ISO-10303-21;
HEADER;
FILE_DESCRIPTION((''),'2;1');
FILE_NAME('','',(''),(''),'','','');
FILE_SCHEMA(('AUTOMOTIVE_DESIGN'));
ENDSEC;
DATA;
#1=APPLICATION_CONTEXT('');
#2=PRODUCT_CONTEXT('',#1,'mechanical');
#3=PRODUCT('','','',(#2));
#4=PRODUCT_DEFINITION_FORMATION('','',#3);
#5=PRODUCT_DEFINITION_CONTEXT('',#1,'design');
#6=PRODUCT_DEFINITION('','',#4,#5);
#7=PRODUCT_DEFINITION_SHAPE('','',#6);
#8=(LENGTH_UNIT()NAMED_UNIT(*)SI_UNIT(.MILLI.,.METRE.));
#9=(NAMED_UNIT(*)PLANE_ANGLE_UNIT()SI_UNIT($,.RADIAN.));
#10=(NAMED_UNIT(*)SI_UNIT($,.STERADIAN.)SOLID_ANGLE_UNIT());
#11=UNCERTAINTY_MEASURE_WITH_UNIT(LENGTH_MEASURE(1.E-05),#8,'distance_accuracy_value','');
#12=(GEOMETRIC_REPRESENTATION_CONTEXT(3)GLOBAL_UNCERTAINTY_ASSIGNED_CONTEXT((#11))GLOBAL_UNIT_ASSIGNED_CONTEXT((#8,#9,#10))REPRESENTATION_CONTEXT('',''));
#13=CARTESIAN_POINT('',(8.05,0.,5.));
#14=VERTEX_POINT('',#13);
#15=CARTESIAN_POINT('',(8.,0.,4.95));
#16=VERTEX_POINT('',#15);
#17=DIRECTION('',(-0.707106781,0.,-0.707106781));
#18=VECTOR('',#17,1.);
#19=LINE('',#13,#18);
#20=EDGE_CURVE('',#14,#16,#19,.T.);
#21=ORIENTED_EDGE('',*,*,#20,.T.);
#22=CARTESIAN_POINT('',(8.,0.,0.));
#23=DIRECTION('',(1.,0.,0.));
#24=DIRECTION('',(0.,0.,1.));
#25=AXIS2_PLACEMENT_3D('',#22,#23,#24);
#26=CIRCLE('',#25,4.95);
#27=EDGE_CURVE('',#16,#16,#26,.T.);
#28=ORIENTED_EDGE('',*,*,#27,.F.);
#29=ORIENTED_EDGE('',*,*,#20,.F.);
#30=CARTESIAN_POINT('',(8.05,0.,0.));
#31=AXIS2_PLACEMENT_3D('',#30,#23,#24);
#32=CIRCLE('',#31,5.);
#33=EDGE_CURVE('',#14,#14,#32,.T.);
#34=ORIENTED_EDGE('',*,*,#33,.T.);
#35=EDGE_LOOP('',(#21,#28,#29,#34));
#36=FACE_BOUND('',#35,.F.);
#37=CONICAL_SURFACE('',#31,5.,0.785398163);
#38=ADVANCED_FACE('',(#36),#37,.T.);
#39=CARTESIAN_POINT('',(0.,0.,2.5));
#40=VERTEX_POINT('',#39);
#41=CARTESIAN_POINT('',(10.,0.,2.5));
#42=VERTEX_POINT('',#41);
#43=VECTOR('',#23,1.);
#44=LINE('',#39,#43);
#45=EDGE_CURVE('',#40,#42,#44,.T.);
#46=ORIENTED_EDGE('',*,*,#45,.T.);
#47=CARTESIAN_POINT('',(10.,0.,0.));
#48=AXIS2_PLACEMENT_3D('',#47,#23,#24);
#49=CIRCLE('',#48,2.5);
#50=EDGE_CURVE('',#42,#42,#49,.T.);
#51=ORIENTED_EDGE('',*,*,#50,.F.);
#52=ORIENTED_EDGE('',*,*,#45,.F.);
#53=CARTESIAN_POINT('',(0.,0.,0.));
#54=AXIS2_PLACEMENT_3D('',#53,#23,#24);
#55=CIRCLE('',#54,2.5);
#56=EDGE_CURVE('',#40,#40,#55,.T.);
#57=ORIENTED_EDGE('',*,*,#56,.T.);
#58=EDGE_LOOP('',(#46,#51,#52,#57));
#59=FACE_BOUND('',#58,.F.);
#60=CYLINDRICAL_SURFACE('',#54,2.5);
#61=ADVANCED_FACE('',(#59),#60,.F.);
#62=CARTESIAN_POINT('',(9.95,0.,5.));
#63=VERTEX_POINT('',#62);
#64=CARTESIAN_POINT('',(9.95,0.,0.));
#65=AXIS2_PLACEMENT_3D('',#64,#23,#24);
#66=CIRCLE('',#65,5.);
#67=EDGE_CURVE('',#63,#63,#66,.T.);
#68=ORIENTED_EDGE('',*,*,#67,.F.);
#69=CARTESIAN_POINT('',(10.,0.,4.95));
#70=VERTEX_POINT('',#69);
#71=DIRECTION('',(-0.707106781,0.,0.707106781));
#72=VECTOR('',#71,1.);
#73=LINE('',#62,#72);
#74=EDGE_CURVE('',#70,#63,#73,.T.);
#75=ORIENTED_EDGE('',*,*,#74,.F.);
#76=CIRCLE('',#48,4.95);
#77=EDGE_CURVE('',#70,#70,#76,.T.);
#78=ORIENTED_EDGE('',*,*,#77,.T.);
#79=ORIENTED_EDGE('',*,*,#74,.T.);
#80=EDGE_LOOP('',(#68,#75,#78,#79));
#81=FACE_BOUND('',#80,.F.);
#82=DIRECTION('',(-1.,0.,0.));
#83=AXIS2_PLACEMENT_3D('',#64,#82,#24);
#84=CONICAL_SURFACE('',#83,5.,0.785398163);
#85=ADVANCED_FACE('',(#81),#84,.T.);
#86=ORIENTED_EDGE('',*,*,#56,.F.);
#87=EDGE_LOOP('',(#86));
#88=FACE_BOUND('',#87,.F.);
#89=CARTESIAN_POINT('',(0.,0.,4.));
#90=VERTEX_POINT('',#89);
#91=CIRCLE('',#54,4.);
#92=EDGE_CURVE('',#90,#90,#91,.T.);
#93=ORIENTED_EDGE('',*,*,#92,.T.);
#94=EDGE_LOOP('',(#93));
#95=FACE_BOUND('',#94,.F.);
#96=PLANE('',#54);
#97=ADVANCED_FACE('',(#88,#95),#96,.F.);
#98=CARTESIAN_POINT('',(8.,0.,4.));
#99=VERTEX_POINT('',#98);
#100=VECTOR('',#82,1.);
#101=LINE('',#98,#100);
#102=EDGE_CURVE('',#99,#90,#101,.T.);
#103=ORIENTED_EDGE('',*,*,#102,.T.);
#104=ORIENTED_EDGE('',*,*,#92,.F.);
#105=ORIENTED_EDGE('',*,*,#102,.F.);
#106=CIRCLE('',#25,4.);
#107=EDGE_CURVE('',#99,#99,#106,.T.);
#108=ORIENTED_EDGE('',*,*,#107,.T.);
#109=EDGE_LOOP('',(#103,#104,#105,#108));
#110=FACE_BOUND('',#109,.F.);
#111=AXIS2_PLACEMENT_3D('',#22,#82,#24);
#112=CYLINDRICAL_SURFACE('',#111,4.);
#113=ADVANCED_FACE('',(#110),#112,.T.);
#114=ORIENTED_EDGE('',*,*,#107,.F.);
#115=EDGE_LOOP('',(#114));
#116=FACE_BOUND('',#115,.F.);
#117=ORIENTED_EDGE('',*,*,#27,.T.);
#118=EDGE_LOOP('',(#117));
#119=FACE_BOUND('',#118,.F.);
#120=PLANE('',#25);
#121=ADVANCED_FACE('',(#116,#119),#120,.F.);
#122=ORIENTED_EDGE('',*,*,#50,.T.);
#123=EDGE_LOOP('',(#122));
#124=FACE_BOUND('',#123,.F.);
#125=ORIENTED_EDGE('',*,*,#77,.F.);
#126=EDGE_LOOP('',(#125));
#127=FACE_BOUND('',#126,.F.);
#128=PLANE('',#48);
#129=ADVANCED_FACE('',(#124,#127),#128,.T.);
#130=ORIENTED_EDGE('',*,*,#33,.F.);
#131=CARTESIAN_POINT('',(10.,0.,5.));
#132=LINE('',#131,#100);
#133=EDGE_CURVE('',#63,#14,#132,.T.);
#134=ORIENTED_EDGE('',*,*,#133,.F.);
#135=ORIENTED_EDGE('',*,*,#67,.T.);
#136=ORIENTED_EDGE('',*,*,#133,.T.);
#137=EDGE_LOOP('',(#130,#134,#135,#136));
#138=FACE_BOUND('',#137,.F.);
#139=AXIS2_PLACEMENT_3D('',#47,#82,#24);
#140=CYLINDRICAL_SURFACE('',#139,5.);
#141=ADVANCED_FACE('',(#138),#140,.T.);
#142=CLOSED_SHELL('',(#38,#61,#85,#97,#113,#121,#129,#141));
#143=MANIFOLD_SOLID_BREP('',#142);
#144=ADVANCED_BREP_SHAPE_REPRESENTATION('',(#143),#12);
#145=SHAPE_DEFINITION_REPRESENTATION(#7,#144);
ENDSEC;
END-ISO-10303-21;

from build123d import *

# Parameters (mm, degrees)
F2_SIZE2 = 0.05
F2_SIZE  = 0.05


with BuildPart() as f1:
    # F0 (on Front) → F1 (revolve)
    with BuildSketch(Plane.XZ):
        Polygon((0, 4), (0, 2.5), (10, 2.5), (10, 5), (8, 5), (8, 4), align=None)
    revolve(axis=Axis((5, 0, 0), (1, 0, 0)))

    # F2
    f2_edges = [f1.edges().sort_by_distance(p)[0] for p in [
        (10, 0, -5),
        (8, 0, -5),
    ]]
    chamfer(f2_edges, length=F2_SIZE, length2=F2_SIZE2)


solid = f1.part
